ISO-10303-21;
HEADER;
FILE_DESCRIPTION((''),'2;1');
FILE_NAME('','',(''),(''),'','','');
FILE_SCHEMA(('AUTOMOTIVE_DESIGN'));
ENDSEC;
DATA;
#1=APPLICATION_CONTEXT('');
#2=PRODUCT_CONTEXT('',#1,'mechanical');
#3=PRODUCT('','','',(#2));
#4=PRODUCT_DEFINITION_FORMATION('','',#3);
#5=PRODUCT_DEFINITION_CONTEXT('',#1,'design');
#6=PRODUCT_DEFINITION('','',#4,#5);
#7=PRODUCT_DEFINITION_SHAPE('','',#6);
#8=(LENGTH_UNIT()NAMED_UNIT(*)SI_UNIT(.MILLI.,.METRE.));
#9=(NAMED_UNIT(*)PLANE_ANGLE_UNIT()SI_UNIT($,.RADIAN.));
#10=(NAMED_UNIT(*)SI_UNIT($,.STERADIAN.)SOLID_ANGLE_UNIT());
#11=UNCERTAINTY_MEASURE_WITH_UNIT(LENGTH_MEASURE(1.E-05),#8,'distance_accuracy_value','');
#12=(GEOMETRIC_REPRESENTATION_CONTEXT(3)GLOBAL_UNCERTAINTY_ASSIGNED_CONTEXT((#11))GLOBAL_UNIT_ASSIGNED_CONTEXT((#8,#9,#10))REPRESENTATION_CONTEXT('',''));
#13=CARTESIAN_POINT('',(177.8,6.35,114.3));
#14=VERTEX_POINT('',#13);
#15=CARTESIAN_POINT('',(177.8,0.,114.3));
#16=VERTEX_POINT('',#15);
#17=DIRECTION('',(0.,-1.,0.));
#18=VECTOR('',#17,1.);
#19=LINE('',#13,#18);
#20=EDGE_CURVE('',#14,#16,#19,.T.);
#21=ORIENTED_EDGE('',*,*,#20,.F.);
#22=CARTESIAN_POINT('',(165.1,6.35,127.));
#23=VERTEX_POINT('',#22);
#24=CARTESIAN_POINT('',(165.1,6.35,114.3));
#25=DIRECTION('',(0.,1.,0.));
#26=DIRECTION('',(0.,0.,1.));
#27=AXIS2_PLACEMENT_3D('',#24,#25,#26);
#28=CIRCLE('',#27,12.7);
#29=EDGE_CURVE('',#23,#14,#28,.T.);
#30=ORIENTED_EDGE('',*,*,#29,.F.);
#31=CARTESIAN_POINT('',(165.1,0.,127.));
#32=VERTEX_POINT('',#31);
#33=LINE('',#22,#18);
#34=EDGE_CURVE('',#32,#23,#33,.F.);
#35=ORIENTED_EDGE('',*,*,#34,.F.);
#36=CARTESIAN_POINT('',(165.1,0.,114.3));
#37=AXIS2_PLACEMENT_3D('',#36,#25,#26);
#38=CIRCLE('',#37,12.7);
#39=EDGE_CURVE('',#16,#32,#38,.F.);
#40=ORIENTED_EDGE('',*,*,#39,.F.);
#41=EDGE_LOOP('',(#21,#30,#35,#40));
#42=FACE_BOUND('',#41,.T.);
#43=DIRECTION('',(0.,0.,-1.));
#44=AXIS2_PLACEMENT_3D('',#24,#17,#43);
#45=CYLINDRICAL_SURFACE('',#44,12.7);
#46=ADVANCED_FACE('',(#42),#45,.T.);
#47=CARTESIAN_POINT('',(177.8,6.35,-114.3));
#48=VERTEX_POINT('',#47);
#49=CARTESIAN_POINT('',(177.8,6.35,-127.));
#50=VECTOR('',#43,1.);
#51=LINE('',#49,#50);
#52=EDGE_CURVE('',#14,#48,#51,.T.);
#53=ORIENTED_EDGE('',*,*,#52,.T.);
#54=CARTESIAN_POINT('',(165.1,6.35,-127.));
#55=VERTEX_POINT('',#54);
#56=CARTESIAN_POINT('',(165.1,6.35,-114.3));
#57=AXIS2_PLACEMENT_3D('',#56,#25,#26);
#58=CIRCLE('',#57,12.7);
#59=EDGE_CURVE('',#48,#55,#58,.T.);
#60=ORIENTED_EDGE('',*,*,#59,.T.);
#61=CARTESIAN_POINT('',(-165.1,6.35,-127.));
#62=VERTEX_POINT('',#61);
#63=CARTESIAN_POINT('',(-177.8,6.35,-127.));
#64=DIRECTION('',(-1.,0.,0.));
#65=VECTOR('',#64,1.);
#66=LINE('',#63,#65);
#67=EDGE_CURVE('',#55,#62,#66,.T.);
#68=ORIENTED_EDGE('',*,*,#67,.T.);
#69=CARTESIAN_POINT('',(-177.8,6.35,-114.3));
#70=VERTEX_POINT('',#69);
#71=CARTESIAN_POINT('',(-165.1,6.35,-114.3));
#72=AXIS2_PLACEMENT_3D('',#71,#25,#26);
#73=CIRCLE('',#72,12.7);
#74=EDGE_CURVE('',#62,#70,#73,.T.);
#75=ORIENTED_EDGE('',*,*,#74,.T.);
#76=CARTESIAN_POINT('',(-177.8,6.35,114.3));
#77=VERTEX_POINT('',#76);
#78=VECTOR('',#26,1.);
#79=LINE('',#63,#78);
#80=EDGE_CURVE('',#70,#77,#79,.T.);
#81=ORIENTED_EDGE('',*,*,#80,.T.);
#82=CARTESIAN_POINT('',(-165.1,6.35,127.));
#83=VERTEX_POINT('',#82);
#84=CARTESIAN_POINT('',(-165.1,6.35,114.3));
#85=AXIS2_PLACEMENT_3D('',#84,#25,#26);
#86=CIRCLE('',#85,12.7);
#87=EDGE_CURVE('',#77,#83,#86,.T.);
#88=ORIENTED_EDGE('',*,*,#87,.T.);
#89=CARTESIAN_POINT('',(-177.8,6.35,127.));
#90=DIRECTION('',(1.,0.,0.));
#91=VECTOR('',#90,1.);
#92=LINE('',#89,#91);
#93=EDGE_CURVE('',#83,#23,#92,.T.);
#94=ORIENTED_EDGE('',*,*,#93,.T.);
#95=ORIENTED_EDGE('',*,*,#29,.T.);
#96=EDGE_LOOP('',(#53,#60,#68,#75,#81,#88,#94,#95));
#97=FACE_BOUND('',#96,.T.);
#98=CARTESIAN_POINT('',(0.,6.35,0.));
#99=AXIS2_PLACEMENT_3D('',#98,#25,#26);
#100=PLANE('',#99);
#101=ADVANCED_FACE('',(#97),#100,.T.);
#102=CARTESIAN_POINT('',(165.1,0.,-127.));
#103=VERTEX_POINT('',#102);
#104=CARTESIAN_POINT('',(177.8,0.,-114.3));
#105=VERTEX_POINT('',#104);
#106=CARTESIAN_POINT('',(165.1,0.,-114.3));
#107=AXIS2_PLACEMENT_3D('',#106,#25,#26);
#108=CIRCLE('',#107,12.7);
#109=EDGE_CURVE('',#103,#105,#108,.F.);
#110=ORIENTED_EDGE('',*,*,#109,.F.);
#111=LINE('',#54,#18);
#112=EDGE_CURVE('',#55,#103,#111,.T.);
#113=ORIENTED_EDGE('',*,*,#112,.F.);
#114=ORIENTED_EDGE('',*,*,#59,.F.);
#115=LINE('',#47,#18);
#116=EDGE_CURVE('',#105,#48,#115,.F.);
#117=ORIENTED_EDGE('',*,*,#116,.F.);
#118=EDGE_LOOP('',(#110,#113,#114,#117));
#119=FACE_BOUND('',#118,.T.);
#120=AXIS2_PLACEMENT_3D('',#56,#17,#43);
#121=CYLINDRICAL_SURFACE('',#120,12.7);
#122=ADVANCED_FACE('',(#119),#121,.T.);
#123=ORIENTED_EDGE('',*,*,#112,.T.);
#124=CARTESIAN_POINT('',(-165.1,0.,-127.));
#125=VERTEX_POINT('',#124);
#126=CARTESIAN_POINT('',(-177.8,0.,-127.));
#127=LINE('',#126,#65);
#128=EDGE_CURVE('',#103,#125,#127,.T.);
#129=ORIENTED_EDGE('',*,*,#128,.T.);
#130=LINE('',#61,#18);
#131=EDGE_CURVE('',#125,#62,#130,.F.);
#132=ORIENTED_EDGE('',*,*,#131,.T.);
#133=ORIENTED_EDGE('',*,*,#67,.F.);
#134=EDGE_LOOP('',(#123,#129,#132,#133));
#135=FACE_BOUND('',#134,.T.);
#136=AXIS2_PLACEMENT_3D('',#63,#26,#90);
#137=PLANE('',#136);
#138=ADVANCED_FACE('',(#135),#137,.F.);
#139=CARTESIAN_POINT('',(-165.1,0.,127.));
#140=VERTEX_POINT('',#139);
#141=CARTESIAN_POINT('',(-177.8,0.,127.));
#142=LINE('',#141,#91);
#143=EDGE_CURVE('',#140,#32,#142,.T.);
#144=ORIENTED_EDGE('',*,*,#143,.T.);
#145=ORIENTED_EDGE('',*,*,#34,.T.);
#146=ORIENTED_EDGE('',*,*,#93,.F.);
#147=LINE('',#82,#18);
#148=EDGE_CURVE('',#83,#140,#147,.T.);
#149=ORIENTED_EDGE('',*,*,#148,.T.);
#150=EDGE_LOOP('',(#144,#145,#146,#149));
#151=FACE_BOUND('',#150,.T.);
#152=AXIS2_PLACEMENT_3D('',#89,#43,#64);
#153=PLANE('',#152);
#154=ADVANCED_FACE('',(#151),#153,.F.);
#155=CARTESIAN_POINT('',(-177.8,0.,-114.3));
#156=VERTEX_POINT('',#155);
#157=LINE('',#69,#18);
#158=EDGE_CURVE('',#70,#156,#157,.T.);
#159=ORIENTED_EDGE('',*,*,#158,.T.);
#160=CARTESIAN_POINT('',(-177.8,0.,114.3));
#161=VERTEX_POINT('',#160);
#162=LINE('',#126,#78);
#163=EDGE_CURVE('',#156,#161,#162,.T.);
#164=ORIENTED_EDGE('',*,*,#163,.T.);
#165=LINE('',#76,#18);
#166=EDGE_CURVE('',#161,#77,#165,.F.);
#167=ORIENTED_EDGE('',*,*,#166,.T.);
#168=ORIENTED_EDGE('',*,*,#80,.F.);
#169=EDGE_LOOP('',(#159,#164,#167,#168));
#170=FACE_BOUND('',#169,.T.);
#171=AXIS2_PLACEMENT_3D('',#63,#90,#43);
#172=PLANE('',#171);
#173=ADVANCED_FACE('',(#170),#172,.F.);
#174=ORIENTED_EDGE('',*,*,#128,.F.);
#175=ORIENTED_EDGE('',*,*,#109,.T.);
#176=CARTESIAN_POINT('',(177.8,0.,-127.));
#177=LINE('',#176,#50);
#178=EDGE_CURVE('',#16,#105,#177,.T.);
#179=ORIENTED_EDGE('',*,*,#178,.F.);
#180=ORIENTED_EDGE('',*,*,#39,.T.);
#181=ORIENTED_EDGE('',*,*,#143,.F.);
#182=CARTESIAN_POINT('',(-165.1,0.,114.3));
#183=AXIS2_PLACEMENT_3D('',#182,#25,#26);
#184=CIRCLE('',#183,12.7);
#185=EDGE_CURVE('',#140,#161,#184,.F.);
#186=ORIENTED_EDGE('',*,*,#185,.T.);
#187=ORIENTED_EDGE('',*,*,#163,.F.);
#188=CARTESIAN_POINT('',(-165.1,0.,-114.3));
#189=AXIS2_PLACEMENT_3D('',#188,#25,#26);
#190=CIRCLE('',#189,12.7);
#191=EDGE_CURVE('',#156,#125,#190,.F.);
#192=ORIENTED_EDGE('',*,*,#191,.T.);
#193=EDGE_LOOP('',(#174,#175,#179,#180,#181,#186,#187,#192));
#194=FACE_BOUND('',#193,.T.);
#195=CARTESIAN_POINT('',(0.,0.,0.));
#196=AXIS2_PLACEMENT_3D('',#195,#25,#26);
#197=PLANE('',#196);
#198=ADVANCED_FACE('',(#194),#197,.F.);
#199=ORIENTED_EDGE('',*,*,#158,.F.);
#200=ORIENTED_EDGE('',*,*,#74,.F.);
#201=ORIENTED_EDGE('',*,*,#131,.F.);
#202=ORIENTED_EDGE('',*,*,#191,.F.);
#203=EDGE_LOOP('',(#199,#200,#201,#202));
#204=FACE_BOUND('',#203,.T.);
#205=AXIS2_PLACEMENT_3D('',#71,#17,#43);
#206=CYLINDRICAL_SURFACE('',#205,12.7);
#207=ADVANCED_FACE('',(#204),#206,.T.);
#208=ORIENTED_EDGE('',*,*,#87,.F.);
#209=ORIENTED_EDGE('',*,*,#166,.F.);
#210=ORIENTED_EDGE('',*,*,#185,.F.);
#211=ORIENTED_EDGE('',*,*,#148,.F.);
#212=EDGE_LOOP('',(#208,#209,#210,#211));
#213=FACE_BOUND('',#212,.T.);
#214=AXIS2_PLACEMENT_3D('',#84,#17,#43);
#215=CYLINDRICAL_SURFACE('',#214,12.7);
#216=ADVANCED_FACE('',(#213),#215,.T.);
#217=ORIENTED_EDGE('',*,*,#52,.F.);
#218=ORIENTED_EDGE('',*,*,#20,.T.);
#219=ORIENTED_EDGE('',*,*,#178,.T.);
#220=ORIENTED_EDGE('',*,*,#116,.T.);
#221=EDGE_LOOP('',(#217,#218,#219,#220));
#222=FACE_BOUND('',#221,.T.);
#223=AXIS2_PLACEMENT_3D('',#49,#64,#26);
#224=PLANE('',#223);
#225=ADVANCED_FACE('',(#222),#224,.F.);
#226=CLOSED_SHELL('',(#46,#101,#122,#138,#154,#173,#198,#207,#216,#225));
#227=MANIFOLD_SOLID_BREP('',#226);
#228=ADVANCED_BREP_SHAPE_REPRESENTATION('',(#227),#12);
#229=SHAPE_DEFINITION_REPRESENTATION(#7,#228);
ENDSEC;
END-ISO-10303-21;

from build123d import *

# Parameters (mm, degrees)
ESQUISSE1_W        = 355.6
ESQUISSE1_H        = 254
BOSS_EXTRU_1_DEPTH = 6.35
CONG_1_R           = 12.7


with BuildPart() as part:
    # Esquisse1 → Boss.-Extru.1 (new body)
    with BuildSketch(Plane(origin=(0, 0, 0), x_dir=(1, 0, 0), z_dir=(0, 1, 0))):
        Rectangle(ESQUISSE1_W, ESQUISSE1_H)
    extrude(amount=BOSS_EXTRU_1_DEPTH)

    # Congé1
    cong_1_edges = [part.edges().sort_by_distance(p)[0] for p in [
        (177.8, 3.175, 127),
        (-177.8, 3.175, 127),
        (-177.8, 3.175, -127),
        (177.8, 3.175, -127),
    ]]
    fillet(cong_1_edges, radius=CONG_1_R)


solid = part.part
